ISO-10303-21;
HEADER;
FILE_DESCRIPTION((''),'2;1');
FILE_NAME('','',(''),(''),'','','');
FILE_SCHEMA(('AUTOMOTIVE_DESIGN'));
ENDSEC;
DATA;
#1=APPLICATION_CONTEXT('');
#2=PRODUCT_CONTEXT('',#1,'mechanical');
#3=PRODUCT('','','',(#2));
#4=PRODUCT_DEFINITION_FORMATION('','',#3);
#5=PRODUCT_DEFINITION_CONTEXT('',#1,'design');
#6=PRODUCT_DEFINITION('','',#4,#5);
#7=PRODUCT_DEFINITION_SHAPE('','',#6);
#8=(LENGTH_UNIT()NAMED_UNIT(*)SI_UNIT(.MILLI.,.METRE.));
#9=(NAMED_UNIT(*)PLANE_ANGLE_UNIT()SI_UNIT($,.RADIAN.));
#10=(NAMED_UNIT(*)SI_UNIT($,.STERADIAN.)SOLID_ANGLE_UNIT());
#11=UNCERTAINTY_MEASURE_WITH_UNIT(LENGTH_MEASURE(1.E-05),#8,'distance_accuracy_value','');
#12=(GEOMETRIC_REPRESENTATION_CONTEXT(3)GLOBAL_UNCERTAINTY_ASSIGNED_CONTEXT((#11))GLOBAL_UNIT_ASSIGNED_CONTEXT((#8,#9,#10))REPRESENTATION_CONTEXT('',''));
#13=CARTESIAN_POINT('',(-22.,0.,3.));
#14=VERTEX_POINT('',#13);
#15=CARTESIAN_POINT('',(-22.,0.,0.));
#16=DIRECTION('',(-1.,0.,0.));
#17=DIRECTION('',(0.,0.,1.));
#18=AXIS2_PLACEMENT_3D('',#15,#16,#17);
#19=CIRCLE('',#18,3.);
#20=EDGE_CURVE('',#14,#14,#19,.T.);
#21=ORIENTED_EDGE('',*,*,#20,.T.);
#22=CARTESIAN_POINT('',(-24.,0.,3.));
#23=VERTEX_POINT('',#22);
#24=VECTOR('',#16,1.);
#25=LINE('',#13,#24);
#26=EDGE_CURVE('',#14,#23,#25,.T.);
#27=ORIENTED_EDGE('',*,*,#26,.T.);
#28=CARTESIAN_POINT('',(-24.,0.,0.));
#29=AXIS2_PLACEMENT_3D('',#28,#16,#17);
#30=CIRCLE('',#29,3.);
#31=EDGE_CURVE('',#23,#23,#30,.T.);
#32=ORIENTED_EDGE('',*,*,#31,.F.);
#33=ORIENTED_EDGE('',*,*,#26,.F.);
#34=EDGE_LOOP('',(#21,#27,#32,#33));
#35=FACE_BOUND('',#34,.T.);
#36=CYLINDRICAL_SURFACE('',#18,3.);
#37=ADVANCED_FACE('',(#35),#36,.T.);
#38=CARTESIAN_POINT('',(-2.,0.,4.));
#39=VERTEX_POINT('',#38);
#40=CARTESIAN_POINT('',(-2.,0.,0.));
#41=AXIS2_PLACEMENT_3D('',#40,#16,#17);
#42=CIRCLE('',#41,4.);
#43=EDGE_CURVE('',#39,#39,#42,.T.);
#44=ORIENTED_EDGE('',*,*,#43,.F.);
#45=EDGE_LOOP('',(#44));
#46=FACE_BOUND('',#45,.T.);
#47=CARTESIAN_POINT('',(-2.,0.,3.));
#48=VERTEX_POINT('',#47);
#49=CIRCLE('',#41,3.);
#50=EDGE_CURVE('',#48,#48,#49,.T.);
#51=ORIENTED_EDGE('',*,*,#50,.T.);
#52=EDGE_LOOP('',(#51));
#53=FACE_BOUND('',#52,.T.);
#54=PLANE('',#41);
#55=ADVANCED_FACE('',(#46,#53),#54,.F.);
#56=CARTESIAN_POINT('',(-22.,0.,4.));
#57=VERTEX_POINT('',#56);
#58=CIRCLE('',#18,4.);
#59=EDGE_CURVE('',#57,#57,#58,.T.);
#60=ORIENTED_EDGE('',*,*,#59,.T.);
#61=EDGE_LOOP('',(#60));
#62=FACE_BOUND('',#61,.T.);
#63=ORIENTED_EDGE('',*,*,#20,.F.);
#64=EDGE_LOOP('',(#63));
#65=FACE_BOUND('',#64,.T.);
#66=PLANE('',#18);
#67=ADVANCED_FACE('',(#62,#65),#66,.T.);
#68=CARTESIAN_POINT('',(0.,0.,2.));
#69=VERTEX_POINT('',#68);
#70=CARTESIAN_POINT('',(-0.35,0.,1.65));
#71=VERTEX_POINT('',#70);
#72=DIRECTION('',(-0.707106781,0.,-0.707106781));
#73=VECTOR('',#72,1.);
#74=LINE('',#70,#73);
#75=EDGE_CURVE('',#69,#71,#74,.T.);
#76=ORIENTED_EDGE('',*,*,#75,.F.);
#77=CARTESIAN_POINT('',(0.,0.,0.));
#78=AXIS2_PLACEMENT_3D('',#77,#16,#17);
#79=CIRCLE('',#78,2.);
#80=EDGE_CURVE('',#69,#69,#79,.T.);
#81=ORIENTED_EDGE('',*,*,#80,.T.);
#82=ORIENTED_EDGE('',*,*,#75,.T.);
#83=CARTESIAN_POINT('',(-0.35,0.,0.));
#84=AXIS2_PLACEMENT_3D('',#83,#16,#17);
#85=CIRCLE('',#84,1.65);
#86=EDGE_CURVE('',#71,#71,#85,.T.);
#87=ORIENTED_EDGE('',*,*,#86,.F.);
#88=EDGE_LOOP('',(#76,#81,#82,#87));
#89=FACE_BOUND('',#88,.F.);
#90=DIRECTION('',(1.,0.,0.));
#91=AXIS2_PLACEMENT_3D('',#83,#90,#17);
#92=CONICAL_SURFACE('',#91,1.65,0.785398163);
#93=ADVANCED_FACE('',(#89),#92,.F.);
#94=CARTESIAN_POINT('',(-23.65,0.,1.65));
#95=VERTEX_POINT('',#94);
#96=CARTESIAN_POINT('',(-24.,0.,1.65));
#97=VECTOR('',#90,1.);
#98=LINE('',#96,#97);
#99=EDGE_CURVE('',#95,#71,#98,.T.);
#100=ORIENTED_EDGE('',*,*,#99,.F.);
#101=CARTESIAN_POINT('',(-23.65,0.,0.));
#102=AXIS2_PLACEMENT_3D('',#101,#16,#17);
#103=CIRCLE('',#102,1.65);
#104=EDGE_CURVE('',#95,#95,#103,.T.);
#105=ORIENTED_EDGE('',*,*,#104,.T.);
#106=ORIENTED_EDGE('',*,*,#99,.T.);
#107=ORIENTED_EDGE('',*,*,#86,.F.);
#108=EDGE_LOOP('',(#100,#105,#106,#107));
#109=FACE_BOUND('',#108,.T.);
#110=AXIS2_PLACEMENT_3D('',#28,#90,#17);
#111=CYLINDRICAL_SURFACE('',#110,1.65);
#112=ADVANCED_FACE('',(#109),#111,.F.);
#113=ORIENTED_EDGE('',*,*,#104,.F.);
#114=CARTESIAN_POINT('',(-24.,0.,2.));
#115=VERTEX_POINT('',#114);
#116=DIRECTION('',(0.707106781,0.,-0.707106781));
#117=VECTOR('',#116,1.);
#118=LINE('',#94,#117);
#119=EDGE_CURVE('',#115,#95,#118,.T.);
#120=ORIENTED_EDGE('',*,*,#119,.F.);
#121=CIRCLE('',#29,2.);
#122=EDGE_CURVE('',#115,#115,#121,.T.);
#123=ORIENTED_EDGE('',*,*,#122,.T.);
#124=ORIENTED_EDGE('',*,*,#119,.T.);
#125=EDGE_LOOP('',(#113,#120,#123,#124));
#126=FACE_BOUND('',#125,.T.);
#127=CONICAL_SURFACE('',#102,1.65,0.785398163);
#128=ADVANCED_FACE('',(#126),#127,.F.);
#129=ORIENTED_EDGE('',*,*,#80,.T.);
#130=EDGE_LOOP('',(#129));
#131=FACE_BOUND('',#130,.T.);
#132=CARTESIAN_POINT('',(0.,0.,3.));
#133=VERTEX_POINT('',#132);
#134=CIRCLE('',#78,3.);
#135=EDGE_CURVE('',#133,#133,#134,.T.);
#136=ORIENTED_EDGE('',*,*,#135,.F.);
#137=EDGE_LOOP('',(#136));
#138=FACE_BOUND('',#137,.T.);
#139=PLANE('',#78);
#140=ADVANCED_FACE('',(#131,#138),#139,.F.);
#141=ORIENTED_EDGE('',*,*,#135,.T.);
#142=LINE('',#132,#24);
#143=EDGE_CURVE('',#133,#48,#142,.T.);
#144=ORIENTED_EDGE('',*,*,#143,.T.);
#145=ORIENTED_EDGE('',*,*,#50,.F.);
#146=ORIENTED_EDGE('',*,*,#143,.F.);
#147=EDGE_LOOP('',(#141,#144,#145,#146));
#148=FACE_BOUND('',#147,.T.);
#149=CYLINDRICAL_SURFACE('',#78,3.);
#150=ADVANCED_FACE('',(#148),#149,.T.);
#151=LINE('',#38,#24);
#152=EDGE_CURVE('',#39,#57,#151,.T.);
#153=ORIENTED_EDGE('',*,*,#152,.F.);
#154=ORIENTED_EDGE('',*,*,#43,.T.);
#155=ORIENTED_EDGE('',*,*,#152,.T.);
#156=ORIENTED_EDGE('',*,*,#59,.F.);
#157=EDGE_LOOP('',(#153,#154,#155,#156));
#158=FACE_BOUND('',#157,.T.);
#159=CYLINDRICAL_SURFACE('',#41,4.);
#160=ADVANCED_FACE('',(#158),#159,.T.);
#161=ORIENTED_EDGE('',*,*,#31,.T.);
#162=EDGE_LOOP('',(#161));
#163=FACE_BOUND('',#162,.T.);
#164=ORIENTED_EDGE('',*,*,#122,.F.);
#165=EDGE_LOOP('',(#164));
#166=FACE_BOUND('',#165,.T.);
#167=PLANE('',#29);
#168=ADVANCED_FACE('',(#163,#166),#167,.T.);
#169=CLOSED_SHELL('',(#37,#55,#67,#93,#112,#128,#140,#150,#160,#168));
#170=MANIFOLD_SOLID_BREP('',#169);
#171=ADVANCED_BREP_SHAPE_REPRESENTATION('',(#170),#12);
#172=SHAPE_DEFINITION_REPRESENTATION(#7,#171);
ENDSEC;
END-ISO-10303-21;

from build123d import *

# Parameters (mm, degrees)
F2_SIZE = 0.35


with BuildPart() as f1:
    # F0 (on Front) → F1 (revolve)
    with BuildSketch(Plane.XZ):
        Polygon((0, 1.65), (0, 3), (-2, 3), (-2, 4), (-22, 4), (-22, 3), (-24, 3), (-24, 1.65), align=None)
    revolve(axis=Axis((-12, 0, 0), (-1, 0, 0)))

    # F2
    f2_edges = [f1.edges().sort_by_distance(p)[0] for p in [
        (-24, 0, -1.65),
        (0, 0, -1.65),
    ]]
    chamfer(f2_edges, length=F2_SIZE)


solid = f1.part
